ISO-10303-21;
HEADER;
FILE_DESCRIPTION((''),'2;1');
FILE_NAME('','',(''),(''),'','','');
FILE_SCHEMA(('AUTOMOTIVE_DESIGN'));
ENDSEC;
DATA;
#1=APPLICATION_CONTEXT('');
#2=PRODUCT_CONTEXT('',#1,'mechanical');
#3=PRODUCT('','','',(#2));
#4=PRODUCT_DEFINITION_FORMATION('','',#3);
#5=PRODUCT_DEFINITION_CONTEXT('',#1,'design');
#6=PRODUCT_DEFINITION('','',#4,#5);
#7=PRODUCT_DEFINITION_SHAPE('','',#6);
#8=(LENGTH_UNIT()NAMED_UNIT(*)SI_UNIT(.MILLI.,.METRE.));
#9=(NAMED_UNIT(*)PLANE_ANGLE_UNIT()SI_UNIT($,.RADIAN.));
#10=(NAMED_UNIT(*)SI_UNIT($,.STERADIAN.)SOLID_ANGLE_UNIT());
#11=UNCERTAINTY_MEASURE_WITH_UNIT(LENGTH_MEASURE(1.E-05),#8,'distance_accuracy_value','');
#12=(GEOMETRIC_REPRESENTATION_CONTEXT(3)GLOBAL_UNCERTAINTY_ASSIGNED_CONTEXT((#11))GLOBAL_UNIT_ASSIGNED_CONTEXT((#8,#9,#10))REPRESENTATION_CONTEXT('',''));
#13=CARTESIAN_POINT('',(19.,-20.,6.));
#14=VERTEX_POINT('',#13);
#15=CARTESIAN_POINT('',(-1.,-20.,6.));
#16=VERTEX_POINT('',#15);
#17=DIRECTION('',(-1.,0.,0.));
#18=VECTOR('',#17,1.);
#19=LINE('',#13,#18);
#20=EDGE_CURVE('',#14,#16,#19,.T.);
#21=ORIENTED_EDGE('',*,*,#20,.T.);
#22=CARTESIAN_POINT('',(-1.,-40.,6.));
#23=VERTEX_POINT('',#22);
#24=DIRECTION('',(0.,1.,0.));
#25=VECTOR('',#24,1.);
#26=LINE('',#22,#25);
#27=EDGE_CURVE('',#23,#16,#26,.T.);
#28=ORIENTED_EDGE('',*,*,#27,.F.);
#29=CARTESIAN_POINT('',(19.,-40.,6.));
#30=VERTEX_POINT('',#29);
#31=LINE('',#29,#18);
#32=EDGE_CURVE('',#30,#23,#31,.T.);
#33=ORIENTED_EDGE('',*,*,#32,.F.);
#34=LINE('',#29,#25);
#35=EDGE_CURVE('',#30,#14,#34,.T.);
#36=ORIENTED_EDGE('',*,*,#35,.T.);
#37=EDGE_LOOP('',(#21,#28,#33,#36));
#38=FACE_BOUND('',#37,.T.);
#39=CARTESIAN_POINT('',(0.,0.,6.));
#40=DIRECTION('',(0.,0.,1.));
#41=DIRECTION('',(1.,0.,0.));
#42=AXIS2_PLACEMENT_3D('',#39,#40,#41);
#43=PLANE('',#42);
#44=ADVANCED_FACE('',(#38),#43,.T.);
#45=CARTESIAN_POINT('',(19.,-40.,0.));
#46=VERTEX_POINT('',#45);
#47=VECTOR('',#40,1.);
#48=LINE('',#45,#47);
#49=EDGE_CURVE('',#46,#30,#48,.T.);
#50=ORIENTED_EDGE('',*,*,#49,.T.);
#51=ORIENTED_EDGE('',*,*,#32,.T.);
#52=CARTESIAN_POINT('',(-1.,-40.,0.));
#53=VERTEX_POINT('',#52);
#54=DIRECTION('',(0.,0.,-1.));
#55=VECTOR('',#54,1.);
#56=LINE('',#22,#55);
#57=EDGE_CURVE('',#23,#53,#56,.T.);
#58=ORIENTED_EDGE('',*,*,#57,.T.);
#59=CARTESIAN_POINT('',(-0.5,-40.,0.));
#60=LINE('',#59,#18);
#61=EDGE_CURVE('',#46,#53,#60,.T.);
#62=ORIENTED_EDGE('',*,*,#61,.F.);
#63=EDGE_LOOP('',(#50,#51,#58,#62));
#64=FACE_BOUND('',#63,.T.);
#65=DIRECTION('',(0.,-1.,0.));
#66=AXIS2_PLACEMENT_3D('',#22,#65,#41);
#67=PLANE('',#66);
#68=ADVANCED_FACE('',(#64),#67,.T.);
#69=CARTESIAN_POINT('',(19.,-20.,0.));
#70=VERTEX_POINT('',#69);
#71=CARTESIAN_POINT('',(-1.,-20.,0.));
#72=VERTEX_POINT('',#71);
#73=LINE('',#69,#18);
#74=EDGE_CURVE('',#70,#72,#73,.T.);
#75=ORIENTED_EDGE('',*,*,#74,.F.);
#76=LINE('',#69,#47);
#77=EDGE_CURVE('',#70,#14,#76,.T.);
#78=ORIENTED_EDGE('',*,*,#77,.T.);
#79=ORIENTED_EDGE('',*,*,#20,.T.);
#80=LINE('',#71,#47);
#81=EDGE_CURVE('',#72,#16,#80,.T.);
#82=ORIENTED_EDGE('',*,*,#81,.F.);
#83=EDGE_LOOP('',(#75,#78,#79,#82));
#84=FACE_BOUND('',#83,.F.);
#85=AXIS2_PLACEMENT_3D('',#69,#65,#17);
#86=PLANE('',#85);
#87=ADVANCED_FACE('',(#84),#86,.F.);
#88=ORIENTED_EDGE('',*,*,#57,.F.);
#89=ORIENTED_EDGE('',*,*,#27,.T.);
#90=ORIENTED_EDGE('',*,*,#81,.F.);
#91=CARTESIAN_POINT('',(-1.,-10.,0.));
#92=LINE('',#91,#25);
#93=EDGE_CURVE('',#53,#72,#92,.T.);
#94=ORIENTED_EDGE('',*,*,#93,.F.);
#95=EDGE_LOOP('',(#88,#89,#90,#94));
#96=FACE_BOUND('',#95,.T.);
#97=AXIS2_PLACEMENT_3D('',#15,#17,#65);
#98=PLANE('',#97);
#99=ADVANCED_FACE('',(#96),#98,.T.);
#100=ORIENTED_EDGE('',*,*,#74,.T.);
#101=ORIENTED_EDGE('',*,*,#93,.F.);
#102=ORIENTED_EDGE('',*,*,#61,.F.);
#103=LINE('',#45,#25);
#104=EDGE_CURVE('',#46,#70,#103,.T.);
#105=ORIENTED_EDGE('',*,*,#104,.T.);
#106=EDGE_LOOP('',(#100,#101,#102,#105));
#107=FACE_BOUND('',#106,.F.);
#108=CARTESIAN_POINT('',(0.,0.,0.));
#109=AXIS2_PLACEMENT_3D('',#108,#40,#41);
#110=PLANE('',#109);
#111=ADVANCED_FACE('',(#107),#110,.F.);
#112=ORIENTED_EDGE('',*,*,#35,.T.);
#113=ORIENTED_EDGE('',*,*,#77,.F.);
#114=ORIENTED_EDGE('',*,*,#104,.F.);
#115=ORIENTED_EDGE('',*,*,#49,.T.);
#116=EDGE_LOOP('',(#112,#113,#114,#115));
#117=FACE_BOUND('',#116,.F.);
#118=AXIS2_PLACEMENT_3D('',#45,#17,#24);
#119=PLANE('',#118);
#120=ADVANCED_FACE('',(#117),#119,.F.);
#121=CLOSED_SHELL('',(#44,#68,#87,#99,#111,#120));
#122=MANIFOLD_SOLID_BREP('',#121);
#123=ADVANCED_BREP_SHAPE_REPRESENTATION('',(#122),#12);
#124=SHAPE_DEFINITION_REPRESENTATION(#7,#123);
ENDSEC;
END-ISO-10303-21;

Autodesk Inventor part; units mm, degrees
ref_plane "YZ Plane" through (0, 0, 0) normal (1, 0, 0) x (0, 1, 0)
ref_plane "XZ Plane" through (0, 0, 0) normal (0, 1, 0) x (-1, 0, 0)
ref_plane "XY Plane" through (0, 0, 0) normal (0, 0, 1) x (1, 0, 0)
sketch "Sketch1" plane through (0, 0, 0) normal (0, 0, 1) x (1, 0, 0)
  line L0 (19, -40) -> (19, -480) projected
  line L1 (-356, -20) -> (-1, -20) projected
  line L2 (-376, -40) -> (-376, -480) projected
  line L3 (-356, -500) -> (-1, -500) projected
  line L4 (19, -40) -> (19, -20)
  line L5 (19, -20) -> (-1, -20)
  line L6 (-356, -20) -> (-376, -20)
  line L7 (-376, -20) -> (-376, -40)
  line L8 (-376, -480) -> (-376, -500)
  line L9 (-376, -500) -> (-356, -500)
  line L10 (-1, -500) -> (19, -500)
  line L11 (19, -480) -> (19, -500)
  point P0 (0, 0)
extrude "Extrusion1" add sketch "Sketch1" along normal blind 6
sketch "Sketch3" plane through (0, 0, 6) normal (0, 0, 1) x (1, 0, 0)
  line L0 (19, -500) -> (19, -20) projected
  line L1 (19, -20) -> (-376, -20) projected
  line L2 (-376, -20) -> (-376, -500) projected
  line L3 (-376, -500) -> (19, -500) projected
  line L4 (-369.3, -40) -> (-375, -40) projected
  line L5 (-356, -21) -> (-356, -26.7) projected
  line L6 (-1, -21) -> (-1, -26.7) projected
  line L7 (12.3, -40) -> (18, -40) projected
  line L8 (12.3, -480) -> (18, -480) projected
  line L9 (-1, -499) -> (-1, -493.3) projected
  line L10 (-356, -493.3) -> (-356, -499) projected
  line L11 (-369.3, -480) -> (-375, -480) projected
  line L12 (-376, -480) -> (-356, -480)
  line L13 (-356, -480) -> (-356, -500)
  line L14 (-1, -500) -> (-1, -480)
  line L15 (-1, -480) -> (19, -480)
  line L16 (-1, -20) -> (-1, -40)
  line L17 (-1, -40) -> (19, -40)
  line L18 (-356, -20) -> (-356, -40)
  line L19 (-356, -40) -> (-376, -40)
  point P0 (0, 0)
  point P1 (-356, -23.85)
extrude "Extrusion2" cut sketch "Sketch3" against normal up to next contours L3 L14 L9 L15 L8 L0 | L15 L8 L14 L9 L3 L13 L10 L12 L11 L2 L19 L4 L18 L5 L1 L16 L6 L17 L7 L0 | L3 L2 L12 L11 L13 L10 | L18 L5 L19 L4 L2 L1
properties part number "ElectronicsEnclosureBottom" material "ABS Plastic"
